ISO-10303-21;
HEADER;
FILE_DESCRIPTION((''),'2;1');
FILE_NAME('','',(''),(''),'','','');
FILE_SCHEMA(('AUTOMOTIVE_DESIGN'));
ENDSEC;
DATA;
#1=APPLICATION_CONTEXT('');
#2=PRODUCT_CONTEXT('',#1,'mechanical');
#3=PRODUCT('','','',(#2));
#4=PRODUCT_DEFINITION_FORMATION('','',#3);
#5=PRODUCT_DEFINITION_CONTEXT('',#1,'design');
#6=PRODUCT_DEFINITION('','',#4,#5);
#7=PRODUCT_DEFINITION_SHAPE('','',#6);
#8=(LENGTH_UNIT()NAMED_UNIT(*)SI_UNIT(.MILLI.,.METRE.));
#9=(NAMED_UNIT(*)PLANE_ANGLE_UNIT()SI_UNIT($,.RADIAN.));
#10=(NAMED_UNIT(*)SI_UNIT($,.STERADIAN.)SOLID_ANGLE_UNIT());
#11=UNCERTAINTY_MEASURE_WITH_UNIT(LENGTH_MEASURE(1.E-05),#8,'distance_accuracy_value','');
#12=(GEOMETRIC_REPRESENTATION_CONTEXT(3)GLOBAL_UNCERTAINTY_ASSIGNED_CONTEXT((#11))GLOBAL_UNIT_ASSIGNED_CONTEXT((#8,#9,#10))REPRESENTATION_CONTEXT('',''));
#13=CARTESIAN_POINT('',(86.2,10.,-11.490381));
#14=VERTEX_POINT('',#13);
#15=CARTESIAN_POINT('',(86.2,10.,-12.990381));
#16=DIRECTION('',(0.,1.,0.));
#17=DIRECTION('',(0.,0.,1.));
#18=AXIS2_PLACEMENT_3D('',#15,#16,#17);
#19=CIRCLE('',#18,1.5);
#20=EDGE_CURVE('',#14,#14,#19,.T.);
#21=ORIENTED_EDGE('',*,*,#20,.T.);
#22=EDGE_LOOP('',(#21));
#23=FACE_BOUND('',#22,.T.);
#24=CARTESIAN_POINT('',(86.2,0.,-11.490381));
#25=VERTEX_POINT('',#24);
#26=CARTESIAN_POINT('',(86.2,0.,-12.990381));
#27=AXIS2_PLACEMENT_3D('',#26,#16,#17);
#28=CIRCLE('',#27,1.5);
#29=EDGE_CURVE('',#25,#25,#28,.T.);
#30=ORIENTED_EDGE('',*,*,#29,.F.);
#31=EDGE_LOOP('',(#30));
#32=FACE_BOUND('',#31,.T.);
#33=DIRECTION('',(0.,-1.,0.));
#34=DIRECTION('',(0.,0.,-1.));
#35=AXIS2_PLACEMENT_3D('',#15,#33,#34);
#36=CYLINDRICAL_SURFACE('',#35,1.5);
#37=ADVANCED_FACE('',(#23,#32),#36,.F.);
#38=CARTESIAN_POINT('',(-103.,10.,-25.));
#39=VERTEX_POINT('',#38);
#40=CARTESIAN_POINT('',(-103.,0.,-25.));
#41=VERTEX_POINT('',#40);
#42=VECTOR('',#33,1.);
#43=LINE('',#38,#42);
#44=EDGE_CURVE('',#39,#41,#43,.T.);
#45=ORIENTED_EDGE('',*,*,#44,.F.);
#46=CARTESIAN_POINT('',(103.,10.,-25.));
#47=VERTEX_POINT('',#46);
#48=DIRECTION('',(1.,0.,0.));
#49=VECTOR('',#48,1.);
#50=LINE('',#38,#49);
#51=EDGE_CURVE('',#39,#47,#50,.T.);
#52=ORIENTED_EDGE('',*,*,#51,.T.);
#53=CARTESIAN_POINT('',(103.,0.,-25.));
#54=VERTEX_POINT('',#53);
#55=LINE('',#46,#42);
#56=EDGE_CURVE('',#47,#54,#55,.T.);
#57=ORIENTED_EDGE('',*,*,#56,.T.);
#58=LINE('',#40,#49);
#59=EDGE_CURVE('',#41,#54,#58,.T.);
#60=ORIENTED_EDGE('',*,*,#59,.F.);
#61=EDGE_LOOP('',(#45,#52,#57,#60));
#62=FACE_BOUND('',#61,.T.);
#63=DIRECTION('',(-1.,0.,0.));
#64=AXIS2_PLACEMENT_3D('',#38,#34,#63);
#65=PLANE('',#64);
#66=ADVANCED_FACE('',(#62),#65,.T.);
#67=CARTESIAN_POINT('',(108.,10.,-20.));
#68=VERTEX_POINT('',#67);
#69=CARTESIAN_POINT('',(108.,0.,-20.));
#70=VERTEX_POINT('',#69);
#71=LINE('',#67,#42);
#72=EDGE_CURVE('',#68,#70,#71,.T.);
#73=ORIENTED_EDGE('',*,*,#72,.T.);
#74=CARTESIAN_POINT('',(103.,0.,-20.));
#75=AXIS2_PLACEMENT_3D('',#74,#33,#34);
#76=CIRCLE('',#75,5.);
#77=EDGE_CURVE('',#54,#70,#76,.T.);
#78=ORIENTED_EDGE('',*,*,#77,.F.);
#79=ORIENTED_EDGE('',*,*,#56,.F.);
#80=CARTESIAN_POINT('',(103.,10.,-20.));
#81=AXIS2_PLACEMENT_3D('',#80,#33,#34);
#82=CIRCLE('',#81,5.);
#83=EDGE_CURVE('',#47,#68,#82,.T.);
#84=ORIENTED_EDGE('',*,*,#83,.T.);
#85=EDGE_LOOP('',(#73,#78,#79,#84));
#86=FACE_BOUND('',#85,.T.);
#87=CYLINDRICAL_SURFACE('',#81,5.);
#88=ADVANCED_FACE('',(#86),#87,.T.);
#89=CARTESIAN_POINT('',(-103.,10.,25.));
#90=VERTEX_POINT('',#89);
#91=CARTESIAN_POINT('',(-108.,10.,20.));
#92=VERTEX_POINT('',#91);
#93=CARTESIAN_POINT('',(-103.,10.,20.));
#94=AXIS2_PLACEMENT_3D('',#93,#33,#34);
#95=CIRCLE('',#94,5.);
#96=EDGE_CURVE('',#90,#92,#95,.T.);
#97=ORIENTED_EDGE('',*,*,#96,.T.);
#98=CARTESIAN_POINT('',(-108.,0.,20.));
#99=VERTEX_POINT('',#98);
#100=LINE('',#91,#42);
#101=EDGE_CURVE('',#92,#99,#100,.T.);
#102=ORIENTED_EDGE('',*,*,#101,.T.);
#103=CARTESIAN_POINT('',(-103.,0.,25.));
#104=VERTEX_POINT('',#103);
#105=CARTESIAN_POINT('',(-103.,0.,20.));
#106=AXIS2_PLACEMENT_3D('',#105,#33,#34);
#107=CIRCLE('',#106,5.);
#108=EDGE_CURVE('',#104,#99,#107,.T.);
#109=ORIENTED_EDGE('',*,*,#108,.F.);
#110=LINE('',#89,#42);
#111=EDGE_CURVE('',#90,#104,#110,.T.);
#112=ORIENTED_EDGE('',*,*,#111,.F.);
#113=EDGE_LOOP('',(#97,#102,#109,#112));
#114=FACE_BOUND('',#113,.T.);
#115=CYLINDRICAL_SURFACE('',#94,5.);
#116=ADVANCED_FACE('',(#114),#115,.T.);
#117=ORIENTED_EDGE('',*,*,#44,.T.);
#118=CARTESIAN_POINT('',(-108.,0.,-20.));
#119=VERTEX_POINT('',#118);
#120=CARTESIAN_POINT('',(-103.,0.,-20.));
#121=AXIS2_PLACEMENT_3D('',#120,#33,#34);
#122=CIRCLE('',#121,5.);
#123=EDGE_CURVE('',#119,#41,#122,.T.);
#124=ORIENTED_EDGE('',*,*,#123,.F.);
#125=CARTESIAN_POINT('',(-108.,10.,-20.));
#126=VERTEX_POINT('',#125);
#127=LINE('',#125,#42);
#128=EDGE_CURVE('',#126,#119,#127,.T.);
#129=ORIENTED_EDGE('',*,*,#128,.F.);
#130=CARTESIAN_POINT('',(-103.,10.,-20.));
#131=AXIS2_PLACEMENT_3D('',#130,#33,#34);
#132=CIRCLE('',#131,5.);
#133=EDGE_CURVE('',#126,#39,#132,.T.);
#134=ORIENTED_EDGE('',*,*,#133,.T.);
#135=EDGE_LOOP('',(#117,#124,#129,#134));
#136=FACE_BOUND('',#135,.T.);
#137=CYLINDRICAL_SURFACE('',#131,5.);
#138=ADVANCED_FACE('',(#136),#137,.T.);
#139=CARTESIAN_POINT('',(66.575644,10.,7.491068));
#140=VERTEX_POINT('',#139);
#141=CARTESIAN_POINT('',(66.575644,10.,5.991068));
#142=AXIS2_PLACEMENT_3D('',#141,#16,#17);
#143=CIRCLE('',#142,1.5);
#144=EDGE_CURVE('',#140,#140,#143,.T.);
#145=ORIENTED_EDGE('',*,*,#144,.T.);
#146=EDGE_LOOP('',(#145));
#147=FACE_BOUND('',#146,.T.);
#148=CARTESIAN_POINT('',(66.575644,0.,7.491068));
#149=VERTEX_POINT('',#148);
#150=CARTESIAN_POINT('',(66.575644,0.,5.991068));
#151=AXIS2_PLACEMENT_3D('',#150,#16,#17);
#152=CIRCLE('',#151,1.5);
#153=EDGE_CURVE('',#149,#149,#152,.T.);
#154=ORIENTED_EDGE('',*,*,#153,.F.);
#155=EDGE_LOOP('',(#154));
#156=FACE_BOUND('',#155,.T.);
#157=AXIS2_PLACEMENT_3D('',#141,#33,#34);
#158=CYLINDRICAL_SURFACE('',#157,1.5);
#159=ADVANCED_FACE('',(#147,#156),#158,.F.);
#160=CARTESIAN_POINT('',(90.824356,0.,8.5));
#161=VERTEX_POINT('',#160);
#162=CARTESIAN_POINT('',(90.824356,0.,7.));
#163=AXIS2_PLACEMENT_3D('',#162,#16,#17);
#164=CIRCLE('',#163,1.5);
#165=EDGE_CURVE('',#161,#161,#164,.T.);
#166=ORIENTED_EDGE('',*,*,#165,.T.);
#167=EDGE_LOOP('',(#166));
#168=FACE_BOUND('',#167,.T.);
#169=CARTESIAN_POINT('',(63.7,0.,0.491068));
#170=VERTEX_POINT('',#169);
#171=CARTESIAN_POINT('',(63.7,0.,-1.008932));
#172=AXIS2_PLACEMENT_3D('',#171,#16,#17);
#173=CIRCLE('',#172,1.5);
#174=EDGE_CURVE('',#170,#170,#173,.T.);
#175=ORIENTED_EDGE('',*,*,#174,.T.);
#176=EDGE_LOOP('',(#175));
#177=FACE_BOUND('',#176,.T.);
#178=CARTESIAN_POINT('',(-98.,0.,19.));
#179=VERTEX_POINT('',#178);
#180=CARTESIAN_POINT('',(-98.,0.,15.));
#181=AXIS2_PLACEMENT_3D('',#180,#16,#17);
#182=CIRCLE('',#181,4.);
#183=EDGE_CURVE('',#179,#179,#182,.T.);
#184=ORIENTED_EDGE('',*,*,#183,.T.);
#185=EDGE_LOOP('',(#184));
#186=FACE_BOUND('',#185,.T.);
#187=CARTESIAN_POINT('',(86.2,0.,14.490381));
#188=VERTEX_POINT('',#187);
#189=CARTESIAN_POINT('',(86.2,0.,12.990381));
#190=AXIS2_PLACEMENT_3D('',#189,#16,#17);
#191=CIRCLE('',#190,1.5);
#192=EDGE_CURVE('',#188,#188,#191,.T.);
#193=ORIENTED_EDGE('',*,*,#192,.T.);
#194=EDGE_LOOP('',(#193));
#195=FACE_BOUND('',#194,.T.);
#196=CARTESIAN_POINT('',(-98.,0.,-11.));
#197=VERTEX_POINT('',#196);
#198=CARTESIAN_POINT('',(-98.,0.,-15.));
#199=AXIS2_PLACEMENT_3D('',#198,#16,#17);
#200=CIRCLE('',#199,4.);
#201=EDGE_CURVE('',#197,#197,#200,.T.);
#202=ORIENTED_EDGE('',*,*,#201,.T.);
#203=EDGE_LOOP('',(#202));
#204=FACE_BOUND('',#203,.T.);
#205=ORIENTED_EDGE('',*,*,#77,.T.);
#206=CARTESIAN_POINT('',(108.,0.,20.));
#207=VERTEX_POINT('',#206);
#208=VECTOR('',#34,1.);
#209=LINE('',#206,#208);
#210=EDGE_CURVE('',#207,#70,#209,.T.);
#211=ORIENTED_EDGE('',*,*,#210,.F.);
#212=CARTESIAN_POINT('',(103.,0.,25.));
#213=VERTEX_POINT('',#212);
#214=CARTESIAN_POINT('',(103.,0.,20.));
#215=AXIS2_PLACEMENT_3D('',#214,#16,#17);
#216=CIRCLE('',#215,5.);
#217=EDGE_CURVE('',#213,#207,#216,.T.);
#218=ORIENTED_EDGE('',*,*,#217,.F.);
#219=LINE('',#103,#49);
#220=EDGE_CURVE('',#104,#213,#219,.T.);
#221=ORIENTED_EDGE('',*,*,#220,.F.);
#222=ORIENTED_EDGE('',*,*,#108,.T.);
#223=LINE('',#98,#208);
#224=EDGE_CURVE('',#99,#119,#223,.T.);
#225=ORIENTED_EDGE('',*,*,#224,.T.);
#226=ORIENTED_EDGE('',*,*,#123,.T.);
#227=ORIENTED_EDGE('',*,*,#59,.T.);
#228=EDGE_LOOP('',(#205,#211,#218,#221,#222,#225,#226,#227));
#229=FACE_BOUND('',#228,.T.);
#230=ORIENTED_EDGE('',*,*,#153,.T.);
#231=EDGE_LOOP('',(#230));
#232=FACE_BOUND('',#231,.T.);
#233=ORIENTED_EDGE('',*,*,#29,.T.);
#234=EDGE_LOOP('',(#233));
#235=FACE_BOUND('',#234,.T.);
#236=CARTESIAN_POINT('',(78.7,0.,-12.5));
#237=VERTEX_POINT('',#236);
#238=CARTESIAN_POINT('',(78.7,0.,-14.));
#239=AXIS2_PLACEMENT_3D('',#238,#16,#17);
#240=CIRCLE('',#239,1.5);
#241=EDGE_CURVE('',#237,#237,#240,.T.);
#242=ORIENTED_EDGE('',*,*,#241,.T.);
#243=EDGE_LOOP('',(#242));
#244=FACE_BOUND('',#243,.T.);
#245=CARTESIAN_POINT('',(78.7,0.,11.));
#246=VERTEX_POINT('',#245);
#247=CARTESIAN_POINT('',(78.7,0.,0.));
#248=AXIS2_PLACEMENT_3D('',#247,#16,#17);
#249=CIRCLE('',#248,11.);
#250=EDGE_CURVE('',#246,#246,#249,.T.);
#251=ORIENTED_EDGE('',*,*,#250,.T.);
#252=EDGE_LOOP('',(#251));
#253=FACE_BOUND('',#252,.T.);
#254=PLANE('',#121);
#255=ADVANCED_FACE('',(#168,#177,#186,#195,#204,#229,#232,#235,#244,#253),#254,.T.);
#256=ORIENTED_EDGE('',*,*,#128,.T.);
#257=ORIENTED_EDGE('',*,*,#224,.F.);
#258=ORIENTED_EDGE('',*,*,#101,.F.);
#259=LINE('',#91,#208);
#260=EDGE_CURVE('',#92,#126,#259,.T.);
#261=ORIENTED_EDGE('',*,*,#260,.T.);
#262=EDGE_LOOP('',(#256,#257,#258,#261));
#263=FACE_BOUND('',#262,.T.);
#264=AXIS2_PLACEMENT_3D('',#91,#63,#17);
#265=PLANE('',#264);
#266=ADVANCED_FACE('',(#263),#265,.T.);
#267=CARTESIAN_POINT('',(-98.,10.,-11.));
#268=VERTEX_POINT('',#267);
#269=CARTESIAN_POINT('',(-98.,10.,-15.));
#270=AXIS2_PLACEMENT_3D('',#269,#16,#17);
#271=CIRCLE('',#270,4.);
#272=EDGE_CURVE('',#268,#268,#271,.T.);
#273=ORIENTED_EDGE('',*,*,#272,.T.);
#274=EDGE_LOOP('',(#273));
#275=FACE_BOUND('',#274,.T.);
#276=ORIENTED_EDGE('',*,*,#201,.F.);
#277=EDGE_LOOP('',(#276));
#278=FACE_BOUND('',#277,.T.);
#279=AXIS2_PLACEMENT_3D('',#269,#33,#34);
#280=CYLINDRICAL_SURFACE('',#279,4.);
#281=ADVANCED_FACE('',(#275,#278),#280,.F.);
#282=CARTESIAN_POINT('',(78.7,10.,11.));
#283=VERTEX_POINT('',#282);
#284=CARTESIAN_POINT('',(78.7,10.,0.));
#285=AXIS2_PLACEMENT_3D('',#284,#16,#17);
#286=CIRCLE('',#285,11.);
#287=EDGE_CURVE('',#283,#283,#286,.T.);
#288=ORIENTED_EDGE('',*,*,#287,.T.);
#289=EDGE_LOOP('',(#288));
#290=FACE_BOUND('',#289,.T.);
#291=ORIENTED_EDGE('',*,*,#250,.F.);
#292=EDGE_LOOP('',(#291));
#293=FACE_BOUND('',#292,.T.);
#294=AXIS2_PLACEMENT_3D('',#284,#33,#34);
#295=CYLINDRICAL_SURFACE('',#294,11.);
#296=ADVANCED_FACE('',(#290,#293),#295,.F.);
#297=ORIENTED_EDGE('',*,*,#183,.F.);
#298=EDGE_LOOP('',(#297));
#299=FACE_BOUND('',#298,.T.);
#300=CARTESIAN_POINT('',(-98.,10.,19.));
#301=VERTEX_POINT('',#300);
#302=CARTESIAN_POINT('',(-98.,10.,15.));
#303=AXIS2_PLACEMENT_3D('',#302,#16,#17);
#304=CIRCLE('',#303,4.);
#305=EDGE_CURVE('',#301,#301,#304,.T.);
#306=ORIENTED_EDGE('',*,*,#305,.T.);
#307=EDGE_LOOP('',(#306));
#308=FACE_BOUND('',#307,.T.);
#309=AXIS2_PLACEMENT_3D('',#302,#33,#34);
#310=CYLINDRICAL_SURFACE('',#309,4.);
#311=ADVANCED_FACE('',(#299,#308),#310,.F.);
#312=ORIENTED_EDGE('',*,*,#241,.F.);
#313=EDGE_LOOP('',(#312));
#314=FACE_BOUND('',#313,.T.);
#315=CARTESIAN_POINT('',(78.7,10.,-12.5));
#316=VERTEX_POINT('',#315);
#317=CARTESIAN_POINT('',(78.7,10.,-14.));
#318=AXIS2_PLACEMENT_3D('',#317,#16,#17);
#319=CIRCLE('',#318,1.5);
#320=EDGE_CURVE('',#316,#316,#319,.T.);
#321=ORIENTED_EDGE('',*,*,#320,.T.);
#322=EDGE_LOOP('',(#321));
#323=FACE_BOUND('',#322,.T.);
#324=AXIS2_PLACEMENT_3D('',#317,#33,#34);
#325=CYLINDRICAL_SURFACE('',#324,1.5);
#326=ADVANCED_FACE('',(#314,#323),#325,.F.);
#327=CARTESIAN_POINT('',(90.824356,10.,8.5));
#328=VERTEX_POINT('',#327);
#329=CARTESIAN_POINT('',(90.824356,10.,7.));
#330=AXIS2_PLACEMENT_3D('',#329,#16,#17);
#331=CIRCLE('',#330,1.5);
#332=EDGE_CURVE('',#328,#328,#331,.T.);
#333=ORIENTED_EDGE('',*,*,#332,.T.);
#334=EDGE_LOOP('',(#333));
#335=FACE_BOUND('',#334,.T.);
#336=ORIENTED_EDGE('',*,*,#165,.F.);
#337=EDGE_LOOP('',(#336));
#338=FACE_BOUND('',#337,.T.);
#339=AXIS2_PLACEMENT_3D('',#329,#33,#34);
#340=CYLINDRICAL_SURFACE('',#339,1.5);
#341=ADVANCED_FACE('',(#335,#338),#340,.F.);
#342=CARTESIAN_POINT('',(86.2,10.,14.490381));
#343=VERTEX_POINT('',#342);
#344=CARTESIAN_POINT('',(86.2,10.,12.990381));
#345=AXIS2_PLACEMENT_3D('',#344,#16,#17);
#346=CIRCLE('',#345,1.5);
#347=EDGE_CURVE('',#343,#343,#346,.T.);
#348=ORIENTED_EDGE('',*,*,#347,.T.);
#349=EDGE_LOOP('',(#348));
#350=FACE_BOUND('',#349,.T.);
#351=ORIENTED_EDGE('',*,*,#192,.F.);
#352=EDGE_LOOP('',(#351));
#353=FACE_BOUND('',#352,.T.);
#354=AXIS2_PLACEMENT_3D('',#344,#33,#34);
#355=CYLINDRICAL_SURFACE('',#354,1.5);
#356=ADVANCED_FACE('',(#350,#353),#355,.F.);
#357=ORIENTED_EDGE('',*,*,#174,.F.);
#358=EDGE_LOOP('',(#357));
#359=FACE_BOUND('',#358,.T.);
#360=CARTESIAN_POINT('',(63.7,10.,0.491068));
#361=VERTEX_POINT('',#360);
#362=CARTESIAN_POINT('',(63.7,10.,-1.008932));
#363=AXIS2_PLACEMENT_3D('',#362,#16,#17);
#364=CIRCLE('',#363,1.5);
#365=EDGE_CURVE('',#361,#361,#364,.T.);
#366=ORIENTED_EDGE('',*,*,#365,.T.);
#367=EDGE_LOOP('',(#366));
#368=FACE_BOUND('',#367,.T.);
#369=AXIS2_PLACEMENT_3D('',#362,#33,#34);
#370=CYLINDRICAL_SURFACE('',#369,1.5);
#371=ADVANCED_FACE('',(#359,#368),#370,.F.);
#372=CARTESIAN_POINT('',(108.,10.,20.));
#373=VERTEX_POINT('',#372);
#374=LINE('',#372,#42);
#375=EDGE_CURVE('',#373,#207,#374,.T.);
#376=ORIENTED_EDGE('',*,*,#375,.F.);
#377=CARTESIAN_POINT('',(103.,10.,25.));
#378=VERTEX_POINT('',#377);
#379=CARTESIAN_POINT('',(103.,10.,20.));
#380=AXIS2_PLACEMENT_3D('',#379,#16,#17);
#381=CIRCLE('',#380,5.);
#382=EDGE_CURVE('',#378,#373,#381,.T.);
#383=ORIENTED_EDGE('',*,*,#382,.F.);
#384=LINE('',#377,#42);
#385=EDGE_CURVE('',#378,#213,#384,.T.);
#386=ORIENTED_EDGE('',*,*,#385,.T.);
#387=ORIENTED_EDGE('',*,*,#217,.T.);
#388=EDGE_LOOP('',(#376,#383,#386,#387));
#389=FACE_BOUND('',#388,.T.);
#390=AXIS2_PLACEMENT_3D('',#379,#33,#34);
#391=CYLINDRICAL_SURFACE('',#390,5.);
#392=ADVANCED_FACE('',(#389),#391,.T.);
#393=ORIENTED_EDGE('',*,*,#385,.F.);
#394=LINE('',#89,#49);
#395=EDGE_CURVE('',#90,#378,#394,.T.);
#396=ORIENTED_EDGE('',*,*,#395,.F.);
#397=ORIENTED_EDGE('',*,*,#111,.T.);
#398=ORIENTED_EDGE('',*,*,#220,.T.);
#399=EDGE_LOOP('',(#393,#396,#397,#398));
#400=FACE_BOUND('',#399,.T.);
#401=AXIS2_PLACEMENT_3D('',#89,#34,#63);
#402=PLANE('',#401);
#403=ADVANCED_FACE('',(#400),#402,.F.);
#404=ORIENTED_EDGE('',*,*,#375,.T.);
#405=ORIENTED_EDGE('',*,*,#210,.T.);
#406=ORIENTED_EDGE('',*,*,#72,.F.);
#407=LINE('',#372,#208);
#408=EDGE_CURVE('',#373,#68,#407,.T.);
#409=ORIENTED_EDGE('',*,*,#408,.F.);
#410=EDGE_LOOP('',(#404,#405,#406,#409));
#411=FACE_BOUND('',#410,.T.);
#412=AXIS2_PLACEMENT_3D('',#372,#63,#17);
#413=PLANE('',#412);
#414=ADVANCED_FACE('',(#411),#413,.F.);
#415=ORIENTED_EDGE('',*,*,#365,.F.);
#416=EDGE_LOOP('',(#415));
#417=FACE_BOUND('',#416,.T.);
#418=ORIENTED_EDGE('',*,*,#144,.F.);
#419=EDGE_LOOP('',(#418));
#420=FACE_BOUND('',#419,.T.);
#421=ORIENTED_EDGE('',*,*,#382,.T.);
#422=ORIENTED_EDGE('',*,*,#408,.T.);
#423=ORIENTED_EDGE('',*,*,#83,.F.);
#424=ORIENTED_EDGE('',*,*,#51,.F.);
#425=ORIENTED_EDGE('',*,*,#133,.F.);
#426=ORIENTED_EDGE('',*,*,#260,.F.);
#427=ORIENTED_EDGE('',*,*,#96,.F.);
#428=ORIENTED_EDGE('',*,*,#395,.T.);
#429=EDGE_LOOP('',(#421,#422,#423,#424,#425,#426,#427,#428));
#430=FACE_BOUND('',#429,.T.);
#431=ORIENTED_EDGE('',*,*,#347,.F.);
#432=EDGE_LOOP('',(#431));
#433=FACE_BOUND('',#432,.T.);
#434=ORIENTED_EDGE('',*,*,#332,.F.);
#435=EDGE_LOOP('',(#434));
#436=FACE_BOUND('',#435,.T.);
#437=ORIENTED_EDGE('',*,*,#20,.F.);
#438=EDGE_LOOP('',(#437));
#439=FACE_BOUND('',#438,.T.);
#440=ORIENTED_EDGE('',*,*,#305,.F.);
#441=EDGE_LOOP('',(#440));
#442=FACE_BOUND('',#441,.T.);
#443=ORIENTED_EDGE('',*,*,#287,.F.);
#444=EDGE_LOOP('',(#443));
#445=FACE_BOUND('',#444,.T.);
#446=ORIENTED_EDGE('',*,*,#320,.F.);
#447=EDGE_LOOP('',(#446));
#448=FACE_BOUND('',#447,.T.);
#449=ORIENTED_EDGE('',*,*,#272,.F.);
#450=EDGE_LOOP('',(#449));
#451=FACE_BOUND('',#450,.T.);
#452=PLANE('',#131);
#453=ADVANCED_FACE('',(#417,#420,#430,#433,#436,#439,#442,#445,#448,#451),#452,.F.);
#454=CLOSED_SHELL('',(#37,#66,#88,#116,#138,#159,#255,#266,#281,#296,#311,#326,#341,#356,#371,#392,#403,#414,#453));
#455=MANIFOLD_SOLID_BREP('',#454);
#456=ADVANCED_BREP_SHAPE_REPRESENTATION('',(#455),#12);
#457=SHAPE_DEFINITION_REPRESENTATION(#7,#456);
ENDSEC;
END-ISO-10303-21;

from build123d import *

# Parameters (mm, degrees)
SKETCH1_R           = 4
SKETCH1_R_2         = 11
SKETCH1_R_3         = 1.5
BOSS_EXTRUDE1_DEPTH = 10


with BuildPart() as part:
    # Sketch1 → Boss-Extrude1 (new body)
    with BuildSketch(Plane(origin=(0, 0, 0), x_dir=(1, 0, 0), z_dir=(0, 1, 0))):
        with BuildLine():
            Line((-103, -25), (103, -25))
            ThreePointArc((103, -25), (106.535533906, -23.535533906), (108, -20))
            Line((108, -20), (108, 20))
            ThreePointArc((108, 20), (106.535533906, 23.535533906), (103, 25))
            Line((103, 25), (-103, 25))
            ThreePointArc((-103, 25), (-106.535533906, 23.535533906), (-108, 20))
            Line((-108, 20), (-108, -20))
            ThreePointArc((-108, -20), (-106.535533906, -23.535533906), (-103, -25))
        make_face()
        with Locations(Location((-98, 15, 0), (0, 0, 270))):
            Circle(SKETCH1_R, mode=Mode.SUBTRACT)
        with Locations(Location((-98, -15, 0), (0, 0, 270))):
            Circle(SKETCH1_R, mode=Mode.SUBTRACT)
        with Locations(Location((78.7, 0, 0), (0, 0, 270))):
            Circle(SKETCH1_R_2, mode=Mode.SUBTRACT)
        with Locations(Location((78.7, 14, 0), (0, 0, 270))):
            Circle(SKETCH1_R_3, mode=Mode.SUBTRACT)
        with Locations(Location((86.2, 12.99038106, 0), (0, 0, 270))):
            Circle(SKETCH1_R_3, mode=Mode.SUBTRACT)
        with Locations(Location((90.82435565, -7.000000002, 0), (0, 0, 270))):
            Circle(SKETCH1_R_3, mode=Mode.SUBTRACT)
        with Locations(Location((86.199999997, -12.990381058, 0), (0, 0, 270))):
            Circle(SKETCH1_R_3, mode=Mode.SUBTRACT)
        with Locations(Location((63.7, 1.008931637, 0), (0, 0, 270))):
            Circle(SKETCH1_R_3, mode=Mode.SUBTRACT)
        with Locations(Location((66.57564435, -5.991068363, 0), (0, 0, 270))):
            Circle(SKETCH1_R_3, mode=Mode.SUBTRACT)
    extrude(amount=BOSS_EXTRUDE1_DEPTH)


solid = part.part
